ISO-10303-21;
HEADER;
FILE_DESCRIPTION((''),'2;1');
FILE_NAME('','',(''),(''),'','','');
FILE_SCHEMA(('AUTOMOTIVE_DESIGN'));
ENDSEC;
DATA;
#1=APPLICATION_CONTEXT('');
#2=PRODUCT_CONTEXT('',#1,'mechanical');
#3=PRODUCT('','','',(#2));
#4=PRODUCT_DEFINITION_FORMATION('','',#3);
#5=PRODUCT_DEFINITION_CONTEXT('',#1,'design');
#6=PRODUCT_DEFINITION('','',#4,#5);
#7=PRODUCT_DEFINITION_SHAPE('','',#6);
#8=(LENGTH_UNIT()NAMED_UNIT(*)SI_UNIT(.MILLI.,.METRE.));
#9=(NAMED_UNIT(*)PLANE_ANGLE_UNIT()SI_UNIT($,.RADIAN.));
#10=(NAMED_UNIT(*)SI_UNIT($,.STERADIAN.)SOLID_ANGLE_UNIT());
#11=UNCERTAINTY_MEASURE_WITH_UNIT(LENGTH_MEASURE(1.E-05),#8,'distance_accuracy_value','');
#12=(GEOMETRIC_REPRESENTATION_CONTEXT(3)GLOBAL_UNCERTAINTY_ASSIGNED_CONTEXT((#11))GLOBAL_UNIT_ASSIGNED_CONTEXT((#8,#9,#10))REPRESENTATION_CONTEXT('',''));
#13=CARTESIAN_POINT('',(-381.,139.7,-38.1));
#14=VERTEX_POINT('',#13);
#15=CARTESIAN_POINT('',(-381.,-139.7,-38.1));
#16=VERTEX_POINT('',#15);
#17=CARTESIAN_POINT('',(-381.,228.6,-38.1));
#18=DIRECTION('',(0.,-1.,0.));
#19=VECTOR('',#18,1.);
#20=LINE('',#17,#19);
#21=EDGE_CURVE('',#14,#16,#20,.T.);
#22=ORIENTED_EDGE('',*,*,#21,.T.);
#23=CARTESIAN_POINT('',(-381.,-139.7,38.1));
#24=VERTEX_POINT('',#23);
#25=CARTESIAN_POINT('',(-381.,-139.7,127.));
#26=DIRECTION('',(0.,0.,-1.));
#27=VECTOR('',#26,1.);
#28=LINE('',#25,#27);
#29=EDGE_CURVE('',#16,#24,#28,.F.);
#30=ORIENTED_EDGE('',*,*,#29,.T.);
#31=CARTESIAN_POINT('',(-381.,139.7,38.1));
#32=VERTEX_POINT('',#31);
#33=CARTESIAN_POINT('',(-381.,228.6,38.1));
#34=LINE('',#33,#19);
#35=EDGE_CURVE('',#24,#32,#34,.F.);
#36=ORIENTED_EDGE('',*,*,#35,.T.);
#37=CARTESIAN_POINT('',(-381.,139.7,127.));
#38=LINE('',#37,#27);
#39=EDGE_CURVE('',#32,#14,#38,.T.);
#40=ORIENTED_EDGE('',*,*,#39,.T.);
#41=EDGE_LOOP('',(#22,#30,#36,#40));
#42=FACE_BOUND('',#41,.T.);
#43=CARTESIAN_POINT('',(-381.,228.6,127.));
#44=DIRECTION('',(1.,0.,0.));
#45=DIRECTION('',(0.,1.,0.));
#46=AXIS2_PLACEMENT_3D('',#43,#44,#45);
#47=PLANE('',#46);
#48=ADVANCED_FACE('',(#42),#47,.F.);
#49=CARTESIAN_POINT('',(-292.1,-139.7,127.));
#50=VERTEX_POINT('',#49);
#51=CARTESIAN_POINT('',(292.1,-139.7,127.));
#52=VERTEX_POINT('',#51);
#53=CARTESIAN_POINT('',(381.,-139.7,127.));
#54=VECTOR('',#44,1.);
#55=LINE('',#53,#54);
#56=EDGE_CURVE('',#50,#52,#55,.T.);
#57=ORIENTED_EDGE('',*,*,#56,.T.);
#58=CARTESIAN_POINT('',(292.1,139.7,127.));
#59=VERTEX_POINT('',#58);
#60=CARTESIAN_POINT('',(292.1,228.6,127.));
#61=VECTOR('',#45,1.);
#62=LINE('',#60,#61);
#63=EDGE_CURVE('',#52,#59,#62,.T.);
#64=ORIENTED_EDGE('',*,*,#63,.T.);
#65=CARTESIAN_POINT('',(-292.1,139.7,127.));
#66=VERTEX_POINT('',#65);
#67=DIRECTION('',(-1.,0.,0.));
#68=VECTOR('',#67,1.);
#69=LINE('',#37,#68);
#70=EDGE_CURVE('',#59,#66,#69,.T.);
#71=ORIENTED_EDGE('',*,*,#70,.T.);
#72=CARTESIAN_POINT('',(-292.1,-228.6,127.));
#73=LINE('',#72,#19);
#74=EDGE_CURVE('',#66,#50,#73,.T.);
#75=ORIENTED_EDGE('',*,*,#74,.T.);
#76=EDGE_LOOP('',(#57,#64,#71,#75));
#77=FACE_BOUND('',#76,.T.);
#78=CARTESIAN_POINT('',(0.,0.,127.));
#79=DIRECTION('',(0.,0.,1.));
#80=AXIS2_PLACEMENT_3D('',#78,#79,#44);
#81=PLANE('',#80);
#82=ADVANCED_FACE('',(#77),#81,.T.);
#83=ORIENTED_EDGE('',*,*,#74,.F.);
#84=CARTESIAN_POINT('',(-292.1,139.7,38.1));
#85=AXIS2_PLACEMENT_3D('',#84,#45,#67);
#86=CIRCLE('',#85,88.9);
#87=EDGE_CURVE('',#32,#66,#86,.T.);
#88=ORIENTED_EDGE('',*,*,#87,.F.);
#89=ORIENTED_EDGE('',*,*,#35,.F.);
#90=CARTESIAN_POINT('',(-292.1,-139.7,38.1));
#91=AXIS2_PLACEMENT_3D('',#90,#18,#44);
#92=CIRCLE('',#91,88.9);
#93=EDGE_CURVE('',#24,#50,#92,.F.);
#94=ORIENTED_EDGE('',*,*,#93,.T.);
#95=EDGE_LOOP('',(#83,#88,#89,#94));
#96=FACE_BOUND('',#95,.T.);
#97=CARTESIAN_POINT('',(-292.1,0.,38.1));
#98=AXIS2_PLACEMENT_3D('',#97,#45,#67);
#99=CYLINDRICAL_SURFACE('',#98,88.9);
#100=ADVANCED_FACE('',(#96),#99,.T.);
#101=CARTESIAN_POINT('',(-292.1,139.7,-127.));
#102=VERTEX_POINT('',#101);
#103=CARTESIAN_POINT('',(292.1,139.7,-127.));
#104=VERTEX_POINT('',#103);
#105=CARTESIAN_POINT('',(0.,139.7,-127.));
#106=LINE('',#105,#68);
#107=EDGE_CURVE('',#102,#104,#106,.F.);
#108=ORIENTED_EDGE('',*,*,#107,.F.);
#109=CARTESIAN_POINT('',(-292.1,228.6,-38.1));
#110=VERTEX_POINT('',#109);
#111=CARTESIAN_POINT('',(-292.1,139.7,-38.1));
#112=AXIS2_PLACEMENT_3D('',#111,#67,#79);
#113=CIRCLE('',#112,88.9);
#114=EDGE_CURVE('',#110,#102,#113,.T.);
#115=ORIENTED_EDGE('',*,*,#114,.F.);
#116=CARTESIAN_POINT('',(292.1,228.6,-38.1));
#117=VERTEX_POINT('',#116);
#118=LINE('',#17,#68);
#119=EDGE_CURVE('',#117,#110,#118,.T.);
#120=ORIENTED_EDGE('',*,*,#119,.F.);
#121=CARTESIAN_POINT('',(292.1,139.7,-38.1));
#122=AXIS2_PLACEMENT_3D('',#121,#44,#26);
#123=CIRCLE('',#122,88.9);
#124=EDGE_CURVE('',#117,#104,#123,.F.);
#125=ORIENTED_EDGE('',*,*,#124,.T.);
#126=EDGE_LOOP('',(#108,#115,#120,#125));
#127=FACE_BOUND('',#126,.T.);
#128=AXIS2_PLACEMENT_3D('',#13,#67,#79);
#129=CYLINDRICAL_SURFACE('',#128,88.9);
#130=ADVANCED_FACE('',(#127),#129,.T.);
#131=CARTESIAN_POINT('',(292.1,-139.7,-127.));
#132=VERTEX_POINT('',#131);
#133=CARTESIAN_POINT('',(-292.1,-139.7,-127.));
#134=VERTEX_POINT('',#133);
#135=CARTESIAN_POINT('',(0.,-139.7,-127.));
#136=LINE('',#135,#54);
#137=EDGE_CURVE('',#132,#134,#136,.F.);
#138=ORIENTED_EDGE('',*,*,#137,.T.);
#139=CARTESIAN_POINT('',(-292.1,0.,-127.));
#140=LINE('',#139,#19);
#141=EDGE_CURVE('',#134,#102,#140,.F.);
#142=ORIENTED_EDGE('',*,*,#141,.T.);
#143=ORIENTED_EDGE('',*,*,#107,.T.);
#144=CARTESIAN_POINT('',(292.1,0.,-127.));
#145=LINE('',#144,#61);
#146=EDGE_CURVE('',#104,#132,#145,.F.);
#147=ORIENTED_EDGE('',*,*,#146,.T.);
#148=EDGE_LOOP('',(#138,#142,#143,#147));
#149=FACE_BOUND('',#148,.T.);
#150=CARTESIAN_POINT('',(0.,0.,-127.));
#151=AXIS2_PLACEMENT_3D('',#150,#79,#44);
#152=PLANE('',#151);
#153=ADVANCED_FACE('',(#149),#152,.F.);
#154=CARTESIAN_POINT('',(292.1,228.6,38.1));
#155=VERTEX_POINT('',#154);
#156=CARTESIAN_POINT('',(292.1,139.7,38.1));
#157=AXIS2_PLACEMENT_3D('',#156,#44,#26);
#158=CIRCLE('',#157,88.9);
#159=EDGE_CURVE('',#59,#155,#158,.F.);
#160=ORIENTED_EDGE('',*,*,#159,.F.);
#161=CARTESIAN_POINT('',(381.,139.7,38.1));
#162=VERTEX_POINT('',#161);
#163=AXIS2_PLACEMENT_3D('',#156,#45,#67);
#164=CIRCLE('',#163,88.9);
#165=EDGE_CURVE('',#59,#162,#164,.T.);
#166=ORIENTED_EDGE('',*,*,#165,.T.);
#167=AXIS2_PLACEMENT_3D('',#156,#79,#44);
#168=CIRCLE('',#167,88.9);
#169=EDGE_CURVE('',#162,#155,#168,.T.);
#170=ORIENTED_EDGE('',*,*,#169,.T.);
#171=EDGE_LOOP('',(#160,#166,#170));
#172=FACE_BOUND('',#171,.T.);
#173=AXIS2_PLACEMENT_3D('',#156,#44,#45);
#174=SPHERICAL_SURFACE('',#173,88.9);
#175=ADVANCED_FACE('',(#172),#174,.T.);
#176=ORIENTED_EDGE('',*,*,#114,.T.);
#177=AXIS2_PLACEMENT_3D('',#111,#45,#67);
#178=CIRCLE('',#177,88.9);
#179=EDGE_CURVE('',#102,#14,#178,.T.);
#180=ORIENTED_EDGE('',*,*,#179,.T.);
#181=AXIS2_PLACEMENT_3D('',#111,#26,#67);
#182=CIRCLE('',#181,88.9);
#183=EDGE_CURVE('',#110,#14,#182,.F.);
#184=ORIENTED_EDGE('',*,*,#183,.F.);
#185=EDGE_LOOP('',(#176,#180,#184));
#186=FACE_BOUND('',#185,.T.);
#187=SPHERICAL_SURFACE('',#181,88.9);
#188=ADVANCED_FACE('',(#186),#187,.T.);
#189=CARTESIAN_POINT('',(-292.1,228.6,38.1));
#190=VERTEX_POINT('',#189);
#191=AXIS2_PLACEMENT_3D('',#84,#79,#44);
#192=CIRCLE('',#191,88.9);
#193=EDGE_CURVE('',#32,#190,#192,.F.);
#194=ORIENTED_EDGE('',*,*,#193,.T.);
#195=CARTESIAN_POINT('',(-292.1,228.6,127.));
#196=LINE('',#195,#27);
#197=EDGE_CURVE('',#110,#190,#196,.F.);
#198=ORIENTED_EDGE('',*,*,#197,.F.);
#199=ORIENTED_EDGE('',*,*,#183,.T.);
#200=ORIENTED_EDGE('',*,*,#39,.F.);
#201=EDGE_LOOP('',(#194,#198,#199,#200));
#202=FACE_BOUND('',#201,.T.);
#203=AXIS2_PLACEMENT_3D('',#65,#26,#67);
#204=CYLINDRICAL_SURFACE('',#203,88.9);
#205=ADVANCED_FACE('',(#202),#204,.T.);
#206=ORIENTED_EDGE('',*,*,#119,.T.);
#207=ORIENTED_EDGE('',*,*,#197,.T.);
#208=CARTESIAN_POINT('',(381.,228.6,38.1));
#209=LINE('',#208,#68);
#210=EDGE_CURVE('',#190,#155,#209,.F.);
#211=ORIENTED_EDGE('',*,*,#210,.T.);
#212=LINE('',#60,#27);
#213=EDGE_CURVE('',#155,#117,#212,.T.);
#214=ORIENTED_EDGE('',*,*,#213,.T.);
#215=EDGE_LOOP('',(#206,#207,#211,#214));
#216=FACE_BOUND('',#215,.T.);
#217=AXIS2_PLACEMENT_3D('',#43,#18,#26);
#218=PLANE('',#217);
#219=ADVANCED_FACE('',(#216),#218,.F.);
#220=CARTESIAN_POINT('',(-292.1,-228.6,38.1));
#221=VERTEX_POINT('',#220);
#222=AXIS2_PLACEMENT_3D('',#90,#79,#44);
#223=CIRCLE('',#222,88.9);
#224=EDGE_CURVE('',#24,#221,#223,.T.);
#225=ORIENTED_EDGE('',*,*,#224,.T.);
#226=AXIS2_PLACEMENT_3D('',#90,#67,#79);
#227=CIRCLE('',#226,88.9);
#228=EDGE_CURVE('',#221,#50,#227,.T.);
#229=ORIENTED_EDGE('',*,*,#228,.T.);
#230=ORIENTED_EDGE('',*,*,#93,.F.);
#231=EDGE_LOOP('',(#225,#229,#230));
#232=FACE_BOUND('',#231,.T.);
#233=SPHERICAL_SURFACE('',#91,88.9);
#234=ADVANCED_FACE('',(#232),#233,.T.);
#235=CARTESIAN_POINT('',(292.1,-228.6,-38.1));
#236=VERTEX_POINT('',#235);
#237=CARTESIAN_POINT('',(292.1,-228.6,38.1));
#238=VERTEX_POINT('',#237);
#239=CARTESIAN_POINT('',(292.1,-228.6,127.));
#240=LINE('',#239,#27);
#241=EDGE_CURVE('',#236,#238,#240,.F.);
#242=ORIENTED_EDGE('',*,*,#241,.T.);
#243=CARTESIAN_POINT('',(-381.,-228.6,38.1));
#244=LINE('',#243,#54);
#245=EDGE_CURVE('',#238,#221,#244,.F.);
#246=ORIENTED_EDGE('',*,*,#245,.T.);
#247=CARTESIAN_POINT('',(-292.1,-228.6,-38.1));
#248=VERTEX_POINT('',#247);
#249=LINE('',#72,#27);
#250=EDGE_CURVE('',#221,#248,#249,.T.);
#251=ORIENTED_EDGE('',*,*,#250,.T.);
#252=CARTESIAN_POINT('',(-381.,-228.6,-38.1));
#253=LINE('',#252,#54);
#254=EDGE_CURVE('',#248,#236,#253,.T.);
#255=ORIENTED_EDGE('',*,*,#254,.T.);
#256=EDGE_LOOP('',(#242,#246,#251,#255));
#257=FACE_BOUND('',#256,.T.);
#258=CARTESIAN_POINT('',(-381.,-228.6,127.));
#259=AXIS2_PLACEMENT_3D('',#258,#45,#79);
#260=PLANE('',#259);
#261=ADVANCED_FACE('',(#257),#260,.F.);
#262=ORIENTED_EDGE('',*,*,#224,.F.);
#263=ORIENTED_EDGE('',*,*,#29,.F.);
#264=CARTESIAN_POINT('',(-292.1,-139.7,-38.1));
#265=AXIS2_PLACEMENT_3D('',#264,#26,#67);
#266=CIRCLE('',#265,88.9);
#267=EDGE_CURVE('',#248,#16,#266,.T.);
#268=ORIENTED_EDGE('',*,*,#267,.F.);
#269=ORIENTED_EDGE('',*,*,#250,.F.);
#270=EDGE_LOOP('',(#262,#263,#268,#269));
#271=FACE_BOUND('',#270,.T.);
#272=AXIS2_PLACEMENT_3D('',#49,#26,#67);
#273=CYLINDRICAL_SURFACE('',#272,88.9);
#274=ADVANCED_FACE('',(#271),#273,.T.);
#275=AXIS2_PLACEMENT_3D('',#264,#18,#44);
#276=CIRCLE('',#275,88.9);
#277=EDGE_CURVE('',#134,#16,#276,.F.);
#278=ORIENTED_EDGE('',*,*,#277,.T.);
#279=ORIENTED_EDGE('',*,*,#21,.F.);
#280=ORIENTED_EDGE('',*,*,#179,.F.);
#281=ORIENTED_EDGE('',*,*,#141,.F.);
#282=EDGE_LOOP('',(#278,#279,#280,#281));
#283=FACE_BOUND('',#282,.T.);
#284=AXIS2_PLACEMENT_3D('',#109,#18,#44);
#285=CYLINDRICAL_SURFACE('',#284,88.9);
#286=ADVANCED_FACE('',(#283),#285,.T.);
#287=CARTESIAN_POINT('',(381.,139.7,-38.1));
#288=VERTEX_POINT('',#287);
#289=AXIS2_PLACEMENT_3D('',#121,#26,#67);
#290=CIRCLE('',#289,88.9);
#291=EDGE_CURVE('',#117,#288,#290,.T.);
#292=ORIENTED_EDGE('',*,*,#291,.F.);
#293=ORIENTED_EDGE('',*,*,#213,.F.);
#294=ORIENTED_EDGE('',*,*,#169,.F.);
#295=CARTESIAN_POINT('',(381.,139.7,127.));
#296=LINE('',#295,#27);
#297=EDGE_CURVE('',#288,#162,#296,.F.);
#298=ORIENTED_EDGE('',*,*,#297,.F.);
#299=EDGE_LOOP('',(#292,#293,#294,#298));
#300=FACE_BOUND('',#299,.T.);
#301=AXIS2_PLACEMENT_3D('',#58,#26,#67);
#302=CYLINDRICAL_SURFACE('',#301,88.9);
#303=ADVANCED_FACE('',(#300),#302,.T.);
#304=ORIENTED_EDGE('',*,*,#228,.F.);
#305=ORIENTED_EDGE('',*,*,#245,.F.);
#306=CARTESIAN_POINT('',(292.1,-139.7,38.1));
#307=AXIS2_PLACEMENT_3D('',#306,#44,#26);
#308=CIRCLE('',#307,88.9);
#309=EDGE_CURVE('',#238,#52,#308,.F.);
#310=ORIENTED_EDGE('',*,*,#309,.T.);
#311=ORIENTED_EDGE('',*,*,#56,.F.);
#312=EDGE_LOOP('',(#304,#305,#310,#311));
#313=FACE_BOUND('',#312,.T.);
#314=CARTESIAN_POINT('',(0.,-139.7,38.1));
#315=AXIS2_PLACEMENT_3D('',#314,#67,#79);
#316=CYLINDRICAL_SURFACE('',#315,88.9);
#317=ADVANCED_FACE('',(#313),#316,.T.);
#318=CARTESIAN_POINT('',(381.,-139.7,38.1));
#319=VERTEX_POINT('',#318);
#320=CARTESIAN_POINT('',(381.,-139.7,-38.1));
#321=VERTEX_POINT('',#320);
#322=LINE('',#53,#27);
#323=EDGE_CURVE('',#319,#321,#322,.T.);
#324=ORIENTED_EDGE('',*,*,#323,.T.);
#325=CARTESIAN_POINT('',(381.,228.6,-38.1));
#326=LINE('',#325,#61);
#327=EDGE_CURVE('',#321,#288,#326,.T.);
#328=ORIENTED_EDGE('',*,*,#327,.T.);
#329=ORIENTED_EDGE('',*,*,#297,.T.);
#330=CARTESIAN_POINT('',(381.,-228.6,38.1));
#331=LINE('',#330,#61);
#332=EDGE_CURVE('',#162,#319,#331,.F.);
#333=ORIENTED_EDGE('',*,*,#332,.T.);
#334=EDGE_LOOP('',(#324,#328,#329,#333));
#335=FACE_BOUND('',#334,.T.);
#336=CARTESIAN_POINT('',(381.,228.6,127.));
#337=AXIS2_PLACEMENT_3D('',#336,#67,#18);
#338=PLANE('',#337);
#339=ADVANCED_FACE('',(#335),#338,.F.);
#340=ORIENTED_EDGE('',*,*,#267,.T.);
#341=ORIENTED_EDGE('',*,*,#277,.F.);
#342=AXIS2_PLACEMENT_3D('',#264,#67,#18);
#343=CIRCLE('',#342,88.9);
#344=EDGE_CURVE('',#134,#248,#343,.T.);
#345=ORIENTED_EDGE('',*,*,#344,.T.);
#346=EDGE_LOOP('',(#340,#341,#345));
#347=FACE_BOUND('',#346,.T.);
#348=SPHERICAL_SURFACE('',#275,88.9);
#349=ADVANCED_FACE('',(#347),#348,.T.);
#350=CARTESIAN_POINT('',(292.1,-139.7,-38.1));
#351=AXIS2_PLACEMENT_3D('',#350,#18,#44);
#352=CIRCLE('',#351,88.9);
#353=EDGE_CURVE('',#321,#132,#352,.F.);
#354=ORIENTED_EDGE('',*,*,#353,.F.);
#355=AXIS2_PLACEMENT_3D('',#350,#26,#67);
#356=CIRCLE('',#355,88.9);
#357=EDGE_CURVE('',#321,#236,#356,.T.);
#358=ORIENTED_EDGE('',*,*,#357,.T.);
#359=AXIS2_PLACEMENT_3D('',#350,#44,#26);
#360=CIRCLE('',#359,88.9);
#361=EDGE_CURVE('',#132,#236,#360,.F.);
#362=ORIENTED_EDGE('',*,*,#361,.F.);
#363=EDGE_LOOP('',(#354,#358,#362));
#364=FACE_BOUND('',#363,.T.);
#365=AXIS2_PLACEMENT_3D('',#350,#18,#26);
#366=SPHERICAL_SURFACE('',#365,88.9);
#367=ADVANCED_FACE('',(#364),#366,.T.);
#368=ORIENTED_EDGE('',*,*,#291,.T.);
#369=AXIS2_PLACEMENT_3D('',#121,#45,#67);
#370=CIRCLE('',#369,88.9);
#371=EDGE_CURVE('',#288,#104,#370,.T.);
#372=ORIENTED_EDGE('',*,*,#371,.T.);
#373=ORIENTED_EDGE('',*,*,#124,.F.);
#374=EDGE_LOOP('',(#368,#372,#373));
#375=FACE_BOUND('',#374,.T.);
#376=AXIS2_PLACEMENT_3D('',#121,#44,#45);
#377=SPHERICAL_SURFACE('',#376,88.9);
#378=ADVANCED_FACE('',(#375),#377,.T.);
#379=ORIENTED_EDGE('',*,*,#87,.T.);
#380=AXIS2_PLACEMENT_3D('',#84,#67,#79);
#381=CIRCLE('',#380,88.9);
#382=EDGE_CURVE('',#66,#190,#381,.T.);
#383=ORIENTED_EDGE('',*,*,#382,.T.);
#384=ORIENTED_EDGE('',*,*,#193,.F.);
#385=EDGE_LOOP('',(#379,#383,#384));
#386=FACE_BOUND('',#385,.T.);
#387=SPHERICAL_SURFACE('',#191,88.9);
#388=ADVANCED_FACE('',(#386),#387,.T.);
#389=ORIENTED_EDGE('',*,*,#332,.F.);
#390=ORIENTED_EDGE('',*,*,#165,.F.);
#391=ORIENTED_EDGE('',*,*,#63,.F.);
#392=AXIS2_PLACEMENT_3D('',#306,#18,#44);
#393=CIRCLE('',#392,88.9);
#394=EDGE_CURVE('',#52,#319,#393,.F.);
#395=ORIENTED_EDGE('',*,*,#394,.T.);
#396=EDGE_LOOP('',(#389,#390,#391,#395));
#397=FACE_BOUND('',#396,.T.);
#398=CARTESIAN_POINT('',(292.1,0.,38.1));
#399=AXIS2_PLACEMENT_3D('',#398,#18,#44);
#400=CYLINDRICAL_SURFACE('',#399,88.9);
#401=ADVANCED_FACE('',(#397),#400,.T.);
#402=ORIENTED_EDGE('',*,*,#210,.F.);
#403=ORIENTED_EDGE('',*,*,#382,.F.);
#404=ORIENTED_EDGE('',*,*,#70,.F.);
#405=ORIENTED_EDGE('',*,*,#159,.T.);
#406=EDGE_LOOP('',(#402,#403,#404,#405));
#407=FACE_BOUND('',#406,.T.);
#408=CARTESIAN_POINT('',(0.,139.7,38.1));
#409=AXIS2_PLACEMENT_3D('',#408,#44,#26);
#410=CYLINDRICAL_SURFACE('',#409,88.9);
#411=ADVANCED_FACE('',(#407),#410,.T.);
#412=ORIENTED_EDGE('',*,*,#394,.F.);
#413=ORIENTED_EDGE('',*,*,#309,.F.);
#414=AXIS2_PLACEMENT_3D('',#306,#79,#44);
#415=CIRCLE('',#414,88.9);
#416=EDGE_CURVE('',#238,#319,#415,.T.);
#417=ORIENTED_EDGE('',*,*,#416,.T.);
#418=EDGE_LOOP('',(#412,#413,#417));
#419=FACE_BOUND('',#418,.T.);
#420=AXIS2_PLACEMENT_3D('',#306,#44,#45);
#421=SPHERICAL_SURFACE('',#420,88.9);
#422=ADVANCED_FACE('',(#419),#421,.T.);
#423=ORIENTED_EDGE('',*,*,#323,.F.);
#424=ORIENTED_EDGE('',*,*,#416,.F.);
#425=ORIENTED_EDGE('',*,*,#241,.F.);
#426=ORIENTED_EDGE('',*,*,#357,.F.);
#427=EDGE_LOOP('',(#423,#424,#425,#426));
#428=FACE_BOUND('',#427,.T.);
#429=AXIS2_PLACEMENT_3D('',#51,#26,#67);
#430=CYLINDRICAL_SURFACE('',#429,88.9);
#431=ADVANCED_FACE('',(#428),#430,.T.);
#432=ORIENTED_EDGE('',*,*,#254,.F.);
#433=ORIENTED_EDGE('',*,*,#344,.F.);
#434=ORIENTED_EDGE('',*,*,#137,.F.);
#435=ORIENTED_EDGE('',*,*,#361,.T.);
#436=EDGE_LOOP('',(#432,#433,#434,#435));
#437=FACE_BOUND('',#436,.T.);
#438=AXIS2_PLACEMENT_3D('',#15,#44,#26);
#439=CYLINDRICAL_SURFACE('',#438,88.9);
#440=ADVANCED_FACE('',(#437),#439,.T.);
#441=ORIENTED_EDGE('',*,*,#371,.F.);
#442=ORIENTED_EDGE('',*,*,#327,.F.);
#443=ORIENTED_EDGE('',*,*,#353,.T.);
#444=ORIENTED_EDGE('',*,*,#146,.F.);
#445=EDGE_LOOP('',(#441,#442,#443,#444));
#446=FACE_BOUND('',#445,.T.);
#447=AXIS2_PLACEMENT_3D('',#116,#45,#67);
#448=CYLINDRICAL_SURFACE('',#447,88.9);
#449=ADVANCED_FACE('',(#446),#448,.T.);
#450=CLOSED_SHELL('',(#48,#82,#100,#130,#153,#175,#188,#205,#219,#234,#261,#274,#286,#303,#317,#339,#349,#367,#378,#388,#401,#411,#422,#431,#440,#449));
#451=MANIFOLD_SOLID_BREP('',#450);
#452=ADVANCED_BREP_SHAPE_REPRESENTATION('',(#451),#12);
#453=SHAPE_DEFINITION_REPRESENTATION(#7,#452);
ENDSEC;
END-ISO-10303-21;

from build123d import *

# Parameters (mm, degrees)
SKETCH1_W           = 762
SKETCH1_H           = 457.2
BOSS_EXTRUDE1_DEPTH = 127
FILLET1_R           = 88.9


with BuildPart() as part:
    # Sketch1 → Boss-Extrude1 (new, symmetric)
    with BuildSketch(Plane.XY):
        Rectangle(SKETCH1_W, SKETCH1_H)
    extrude(amount=BOSS_EXTRUDE1_DEPTH, both=True)

    # Fillet1
    fillet1_edges = [part.edges().sort_by_distance(p)[0] for p in [
        (-381, 0, 127),
        (0, -228.6, 127),
        (381, 0, 127),
        (0, -228.6, -127),
        (-381, 0, -127),
        (0, 228.6, -127),
        (381, 0, -127),
        (381, -228.6, 0),
        (-381, -228.6, 0),
        (-381, 228.6, 0),
        (381, 228.6, 0),
        (0, 228.6, 127),
    ]]
    fillet(fillet1_edges, radius=FILLET1_R)


solid = part.part
